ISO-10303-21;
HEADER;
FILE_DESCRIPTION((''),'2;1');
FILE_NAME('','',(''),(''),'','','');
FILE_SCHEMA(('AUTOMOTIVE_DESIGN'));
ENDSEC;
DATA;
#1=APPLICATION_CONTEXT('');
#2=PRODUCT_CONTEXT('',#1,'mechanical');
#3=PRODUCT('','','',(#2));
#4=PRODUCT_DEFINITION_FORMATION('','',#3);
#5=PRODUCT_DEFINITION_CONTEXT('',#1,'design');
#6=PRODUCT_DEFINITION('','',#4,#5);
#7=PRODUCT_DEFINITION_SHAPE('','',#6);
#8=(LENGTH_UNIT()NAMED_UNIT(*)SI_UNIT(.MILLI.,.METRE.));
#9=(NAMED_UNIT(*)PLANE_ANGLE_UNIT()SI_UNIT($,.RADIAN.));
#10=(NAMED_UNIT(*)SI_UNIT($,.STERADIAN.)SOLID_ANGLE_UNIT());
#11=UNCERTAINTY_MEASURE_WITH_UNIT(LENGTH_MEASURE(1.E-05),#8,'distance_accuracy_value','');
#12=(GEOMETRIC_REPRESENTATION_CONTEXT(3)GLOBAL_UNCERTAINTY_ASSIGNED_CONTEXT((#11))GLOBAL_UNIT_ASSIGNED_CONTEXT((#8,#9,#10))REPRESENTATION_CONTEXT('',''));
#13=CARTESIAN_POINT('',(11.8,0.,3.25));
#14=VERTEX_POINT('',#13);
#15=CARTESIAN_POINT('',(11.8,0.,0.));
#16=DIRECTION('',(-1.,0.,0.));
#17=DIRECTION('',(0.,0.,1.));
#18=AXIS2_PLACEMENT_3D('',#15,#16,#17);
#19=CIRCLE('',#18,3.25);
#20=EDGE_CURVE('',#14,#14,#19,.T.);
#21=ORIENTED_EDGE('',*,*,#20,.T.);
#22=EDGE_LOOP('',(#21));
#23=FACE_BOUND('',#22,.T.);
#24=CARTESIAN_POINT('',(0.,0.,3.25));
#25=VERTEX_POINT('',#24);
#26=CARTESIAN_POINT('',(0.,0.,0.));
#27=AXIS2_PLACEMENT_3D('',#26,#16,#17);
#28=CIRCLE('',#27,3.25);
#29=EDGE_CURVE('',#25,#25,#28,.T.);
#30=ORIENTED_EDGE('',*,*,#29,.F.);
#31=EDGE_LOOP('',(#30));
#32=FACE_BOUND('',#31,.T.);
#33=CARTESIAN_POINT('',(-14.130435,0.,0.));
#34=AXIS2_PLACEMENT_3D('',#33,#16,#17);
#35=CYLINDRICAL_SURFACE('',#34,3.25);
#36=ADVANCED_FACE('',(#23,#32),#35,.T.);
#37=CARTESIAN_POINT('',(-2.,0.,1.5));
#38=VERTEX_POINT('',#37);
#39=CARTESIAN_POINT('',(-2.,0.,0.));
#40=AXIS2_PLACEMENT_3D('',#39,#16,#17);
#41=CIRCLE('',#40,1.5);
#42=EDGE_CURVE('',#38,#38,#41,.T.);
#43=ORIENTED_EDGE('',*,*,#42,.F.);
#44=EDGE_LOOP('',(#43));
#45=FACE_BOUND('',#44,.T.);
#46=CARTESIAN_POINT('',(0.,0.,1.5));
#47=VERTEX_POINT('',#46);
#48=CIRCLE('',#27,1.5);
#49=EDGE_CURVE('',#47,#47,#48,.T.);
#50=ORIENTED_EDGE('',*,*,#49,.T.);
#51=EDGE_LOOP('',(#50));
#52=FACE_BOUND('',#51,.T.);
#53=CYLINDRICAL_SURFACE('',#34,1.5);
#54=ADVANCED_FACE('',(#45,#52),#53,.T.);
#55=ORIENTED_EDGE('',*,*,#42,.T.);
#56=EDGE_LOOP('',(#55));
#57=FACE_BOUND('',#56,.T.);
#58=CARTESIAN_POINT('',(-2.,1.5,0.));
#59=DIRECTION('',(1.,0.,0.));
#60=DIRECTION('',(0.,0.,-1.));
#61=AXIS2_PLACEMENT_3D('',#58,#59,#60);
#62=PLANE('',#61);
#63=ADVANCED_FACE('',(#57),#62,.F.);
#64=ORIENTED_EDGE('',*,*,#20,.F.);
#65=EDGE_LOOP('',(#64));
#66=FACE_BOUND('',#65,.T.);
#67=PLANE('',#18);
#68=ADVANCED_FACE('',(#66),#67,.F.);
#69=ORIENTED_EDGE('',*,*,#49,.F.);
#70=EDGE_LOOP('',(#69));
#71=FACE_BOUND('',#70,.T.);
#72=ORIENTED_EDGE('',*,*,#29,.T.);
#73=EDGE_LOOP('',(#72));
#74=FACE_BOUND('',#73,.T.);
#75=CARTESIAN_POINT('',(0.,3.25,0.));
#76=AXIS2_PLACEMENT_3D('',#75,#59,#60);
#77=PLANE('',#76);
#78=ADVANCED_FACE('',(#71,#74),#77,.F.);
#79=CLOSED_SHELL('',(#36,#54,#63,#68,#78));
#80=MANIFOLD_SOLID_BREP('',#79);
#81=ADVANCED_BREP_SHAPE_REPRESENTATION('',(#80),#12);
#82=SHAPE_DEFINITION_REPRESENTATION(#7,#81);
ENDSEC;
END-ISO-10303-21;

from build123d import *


with BuildPart() as part:
    # Sketch1 → Revolve1 (revolve)
    with BuildSketch(Plane.XY):
        Polygon((11.8, 0), (11.8, 3.25), (0, 3.25), (0, 1.5), (-2, 1.5), (-2, 0), align=None)
    revolve(axis=Axis((-14.130434783, 0, 0), (1, 0, 0)))


solid = part.part
